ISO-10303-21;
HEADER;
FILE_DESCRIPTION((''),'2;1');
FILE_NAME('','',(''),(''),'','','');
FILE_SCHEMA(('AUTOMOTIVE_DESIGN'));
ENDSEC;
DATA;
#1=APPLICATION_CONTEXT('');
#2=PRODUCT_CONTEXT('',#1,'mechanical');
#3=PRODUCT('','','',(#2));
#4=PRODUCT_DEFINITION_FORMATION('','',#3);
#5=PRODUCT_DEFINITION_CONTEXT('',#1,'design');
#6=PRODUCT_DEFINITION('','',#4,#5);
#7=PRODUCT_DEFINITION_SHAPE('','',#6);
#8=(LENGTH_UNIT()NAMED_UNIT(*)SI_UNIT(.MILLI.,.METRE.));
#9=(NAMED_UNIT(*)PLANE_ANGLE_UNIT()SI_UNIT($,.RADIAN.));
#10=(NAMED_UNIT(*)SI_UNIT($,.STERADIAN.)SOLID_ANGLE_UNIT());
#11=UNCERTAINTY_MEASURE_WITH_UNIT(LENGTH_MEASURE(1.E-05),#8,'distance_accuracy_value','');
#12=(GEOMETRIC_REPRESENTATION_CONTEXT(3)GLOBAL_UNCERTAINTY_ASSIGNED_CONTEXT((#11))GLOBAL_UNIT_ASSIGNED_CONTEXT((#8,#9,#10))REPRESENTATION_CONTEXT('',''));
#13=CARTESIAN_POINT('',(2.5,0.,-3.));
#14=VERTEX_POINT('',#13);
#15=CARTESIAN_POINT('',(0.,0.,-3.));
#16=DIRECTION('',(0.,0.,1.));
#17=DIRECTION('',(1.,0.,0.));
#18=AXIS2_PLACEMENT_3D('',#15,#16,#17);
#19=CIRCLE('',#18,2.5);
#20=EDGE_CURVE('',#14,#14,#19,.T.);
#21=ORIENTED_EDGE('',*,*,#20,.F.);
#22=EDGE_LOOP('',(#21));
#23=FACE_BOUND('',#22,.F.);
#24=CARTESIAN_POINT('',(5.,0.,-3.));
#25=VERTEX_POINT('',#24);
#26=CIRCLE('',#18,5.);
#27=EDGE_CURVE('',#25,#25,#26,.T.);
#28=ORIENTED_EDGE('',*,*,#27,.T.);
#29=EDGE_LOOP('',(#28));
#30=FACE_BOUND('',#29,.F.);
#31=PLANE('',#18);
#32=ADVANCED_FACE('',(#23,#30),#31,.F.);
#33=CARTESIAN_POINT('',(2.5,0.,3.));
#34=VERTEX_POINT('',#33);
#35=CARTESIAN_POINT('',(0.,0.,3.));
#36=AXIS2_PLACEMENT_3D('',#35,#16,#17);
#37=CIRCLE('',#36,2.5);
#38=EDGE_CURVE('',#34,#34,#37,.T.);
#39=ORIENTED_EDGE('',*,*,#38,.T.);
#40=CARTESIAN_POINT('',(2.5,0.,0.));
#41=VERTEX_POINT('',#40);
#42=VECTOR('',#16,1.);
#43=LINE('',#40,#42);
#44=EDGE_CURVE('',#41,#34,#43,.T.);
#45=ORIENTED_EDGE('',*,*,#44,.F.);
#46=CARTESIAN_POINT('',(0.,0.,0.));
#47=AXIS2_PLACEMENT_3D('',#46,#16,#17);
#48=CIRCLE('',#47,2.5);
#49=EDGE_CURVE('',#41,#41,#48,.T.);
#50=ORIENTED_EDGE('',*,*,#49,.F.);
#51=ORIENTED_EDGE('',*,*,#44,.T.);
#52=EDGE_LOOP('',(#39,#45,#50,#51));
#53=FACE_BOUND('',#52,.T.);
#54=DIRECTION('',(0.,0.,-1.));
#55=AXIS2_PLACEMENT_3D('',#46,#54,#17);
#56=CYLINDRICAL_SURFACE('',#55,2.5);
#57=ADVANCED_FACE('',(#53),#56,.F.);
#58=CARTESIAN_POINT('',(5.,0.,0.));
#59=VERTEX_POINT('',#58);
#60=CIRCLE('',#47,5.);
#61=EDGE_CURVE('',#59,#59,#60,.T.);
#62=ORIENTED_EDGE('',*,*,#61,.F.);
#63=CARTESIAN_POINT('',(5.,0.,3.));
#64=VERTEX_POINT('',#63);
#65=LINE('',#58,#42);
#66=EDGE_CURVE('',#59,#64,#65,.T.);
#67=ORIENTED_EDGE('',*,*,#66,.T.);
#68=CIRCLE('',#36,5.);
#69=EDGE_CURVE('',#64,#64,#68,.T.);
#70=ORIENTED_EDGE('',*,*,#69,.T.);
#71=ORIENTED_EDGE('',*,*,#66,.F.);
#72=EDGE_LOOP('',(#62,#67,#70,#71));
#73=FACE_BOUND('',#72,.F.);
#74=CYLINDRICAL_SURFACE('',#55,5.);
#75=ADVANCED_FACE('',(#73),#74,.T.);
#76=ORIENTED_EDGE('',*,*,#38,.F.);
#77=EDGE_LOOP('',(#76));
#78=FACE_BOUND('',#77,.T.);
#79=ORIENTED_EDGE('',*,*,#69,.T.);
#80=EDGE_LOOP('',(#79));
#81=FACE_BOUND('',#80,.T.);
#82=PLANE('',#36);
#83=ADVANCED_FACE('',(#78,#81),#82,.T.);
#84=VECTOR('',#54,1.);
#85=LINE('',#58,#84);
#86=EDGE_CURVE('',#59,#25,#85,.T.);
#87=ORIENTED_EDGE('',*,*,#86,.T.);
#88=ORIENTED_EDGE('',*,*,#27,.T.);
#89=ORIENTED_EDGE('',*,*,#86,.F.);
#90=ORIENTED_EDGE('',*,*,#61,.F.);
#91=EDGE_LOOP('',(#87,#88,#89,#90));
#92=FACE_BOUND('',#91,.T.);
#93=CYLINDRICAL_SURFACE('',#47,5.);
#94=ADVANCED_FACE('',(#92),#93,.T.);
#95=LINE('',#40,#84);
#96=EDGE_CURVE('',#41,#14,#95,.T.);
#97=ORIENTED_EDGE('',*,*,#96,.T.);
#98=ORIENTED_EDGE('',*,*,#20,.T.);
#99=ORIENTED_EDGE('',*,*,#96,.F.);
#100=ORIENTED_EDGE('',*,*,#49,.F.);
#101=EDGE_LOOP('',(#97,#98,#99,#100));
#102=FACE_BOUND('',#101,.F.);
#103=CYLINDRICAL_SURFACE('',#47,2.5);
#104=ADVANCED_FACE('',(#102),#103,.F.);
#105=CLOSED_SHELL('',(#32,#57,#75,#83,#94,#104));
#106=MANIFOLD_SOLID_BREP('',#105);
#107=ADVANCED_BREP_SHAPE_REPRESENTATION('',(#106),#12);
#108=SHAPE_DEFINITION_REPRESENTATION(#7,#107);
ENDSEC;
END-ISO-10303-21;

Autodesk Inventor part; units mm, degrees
ref_plane "YZ Plane" through (0, 0, 0) normal (1, 0, 0) x (0, 1, 0)
ref_plane "XZ Plane" through (0, 0, 0) normal (0, 1, 0) x (-1, 0, 0)
ref_plane "XY Plane" through (0, 0, 0) normal (0, 0, 1) x (1, 0, 0)
sketch "Эскиз1" plane through (0, 0, 0) normal (0, 0, 1) x (1, 0, 0)
  circle A0 centre (0, 0) radius 2.5
  circle A1 centre (0, 0) radius 5
  dimension "d0" = 5
  dimension "d1" = 10
extrude "Выдавливание1" add sketch "Эскиз1" along normal mid plane 6
properties part number "Aluminum Spacer 6mm"
